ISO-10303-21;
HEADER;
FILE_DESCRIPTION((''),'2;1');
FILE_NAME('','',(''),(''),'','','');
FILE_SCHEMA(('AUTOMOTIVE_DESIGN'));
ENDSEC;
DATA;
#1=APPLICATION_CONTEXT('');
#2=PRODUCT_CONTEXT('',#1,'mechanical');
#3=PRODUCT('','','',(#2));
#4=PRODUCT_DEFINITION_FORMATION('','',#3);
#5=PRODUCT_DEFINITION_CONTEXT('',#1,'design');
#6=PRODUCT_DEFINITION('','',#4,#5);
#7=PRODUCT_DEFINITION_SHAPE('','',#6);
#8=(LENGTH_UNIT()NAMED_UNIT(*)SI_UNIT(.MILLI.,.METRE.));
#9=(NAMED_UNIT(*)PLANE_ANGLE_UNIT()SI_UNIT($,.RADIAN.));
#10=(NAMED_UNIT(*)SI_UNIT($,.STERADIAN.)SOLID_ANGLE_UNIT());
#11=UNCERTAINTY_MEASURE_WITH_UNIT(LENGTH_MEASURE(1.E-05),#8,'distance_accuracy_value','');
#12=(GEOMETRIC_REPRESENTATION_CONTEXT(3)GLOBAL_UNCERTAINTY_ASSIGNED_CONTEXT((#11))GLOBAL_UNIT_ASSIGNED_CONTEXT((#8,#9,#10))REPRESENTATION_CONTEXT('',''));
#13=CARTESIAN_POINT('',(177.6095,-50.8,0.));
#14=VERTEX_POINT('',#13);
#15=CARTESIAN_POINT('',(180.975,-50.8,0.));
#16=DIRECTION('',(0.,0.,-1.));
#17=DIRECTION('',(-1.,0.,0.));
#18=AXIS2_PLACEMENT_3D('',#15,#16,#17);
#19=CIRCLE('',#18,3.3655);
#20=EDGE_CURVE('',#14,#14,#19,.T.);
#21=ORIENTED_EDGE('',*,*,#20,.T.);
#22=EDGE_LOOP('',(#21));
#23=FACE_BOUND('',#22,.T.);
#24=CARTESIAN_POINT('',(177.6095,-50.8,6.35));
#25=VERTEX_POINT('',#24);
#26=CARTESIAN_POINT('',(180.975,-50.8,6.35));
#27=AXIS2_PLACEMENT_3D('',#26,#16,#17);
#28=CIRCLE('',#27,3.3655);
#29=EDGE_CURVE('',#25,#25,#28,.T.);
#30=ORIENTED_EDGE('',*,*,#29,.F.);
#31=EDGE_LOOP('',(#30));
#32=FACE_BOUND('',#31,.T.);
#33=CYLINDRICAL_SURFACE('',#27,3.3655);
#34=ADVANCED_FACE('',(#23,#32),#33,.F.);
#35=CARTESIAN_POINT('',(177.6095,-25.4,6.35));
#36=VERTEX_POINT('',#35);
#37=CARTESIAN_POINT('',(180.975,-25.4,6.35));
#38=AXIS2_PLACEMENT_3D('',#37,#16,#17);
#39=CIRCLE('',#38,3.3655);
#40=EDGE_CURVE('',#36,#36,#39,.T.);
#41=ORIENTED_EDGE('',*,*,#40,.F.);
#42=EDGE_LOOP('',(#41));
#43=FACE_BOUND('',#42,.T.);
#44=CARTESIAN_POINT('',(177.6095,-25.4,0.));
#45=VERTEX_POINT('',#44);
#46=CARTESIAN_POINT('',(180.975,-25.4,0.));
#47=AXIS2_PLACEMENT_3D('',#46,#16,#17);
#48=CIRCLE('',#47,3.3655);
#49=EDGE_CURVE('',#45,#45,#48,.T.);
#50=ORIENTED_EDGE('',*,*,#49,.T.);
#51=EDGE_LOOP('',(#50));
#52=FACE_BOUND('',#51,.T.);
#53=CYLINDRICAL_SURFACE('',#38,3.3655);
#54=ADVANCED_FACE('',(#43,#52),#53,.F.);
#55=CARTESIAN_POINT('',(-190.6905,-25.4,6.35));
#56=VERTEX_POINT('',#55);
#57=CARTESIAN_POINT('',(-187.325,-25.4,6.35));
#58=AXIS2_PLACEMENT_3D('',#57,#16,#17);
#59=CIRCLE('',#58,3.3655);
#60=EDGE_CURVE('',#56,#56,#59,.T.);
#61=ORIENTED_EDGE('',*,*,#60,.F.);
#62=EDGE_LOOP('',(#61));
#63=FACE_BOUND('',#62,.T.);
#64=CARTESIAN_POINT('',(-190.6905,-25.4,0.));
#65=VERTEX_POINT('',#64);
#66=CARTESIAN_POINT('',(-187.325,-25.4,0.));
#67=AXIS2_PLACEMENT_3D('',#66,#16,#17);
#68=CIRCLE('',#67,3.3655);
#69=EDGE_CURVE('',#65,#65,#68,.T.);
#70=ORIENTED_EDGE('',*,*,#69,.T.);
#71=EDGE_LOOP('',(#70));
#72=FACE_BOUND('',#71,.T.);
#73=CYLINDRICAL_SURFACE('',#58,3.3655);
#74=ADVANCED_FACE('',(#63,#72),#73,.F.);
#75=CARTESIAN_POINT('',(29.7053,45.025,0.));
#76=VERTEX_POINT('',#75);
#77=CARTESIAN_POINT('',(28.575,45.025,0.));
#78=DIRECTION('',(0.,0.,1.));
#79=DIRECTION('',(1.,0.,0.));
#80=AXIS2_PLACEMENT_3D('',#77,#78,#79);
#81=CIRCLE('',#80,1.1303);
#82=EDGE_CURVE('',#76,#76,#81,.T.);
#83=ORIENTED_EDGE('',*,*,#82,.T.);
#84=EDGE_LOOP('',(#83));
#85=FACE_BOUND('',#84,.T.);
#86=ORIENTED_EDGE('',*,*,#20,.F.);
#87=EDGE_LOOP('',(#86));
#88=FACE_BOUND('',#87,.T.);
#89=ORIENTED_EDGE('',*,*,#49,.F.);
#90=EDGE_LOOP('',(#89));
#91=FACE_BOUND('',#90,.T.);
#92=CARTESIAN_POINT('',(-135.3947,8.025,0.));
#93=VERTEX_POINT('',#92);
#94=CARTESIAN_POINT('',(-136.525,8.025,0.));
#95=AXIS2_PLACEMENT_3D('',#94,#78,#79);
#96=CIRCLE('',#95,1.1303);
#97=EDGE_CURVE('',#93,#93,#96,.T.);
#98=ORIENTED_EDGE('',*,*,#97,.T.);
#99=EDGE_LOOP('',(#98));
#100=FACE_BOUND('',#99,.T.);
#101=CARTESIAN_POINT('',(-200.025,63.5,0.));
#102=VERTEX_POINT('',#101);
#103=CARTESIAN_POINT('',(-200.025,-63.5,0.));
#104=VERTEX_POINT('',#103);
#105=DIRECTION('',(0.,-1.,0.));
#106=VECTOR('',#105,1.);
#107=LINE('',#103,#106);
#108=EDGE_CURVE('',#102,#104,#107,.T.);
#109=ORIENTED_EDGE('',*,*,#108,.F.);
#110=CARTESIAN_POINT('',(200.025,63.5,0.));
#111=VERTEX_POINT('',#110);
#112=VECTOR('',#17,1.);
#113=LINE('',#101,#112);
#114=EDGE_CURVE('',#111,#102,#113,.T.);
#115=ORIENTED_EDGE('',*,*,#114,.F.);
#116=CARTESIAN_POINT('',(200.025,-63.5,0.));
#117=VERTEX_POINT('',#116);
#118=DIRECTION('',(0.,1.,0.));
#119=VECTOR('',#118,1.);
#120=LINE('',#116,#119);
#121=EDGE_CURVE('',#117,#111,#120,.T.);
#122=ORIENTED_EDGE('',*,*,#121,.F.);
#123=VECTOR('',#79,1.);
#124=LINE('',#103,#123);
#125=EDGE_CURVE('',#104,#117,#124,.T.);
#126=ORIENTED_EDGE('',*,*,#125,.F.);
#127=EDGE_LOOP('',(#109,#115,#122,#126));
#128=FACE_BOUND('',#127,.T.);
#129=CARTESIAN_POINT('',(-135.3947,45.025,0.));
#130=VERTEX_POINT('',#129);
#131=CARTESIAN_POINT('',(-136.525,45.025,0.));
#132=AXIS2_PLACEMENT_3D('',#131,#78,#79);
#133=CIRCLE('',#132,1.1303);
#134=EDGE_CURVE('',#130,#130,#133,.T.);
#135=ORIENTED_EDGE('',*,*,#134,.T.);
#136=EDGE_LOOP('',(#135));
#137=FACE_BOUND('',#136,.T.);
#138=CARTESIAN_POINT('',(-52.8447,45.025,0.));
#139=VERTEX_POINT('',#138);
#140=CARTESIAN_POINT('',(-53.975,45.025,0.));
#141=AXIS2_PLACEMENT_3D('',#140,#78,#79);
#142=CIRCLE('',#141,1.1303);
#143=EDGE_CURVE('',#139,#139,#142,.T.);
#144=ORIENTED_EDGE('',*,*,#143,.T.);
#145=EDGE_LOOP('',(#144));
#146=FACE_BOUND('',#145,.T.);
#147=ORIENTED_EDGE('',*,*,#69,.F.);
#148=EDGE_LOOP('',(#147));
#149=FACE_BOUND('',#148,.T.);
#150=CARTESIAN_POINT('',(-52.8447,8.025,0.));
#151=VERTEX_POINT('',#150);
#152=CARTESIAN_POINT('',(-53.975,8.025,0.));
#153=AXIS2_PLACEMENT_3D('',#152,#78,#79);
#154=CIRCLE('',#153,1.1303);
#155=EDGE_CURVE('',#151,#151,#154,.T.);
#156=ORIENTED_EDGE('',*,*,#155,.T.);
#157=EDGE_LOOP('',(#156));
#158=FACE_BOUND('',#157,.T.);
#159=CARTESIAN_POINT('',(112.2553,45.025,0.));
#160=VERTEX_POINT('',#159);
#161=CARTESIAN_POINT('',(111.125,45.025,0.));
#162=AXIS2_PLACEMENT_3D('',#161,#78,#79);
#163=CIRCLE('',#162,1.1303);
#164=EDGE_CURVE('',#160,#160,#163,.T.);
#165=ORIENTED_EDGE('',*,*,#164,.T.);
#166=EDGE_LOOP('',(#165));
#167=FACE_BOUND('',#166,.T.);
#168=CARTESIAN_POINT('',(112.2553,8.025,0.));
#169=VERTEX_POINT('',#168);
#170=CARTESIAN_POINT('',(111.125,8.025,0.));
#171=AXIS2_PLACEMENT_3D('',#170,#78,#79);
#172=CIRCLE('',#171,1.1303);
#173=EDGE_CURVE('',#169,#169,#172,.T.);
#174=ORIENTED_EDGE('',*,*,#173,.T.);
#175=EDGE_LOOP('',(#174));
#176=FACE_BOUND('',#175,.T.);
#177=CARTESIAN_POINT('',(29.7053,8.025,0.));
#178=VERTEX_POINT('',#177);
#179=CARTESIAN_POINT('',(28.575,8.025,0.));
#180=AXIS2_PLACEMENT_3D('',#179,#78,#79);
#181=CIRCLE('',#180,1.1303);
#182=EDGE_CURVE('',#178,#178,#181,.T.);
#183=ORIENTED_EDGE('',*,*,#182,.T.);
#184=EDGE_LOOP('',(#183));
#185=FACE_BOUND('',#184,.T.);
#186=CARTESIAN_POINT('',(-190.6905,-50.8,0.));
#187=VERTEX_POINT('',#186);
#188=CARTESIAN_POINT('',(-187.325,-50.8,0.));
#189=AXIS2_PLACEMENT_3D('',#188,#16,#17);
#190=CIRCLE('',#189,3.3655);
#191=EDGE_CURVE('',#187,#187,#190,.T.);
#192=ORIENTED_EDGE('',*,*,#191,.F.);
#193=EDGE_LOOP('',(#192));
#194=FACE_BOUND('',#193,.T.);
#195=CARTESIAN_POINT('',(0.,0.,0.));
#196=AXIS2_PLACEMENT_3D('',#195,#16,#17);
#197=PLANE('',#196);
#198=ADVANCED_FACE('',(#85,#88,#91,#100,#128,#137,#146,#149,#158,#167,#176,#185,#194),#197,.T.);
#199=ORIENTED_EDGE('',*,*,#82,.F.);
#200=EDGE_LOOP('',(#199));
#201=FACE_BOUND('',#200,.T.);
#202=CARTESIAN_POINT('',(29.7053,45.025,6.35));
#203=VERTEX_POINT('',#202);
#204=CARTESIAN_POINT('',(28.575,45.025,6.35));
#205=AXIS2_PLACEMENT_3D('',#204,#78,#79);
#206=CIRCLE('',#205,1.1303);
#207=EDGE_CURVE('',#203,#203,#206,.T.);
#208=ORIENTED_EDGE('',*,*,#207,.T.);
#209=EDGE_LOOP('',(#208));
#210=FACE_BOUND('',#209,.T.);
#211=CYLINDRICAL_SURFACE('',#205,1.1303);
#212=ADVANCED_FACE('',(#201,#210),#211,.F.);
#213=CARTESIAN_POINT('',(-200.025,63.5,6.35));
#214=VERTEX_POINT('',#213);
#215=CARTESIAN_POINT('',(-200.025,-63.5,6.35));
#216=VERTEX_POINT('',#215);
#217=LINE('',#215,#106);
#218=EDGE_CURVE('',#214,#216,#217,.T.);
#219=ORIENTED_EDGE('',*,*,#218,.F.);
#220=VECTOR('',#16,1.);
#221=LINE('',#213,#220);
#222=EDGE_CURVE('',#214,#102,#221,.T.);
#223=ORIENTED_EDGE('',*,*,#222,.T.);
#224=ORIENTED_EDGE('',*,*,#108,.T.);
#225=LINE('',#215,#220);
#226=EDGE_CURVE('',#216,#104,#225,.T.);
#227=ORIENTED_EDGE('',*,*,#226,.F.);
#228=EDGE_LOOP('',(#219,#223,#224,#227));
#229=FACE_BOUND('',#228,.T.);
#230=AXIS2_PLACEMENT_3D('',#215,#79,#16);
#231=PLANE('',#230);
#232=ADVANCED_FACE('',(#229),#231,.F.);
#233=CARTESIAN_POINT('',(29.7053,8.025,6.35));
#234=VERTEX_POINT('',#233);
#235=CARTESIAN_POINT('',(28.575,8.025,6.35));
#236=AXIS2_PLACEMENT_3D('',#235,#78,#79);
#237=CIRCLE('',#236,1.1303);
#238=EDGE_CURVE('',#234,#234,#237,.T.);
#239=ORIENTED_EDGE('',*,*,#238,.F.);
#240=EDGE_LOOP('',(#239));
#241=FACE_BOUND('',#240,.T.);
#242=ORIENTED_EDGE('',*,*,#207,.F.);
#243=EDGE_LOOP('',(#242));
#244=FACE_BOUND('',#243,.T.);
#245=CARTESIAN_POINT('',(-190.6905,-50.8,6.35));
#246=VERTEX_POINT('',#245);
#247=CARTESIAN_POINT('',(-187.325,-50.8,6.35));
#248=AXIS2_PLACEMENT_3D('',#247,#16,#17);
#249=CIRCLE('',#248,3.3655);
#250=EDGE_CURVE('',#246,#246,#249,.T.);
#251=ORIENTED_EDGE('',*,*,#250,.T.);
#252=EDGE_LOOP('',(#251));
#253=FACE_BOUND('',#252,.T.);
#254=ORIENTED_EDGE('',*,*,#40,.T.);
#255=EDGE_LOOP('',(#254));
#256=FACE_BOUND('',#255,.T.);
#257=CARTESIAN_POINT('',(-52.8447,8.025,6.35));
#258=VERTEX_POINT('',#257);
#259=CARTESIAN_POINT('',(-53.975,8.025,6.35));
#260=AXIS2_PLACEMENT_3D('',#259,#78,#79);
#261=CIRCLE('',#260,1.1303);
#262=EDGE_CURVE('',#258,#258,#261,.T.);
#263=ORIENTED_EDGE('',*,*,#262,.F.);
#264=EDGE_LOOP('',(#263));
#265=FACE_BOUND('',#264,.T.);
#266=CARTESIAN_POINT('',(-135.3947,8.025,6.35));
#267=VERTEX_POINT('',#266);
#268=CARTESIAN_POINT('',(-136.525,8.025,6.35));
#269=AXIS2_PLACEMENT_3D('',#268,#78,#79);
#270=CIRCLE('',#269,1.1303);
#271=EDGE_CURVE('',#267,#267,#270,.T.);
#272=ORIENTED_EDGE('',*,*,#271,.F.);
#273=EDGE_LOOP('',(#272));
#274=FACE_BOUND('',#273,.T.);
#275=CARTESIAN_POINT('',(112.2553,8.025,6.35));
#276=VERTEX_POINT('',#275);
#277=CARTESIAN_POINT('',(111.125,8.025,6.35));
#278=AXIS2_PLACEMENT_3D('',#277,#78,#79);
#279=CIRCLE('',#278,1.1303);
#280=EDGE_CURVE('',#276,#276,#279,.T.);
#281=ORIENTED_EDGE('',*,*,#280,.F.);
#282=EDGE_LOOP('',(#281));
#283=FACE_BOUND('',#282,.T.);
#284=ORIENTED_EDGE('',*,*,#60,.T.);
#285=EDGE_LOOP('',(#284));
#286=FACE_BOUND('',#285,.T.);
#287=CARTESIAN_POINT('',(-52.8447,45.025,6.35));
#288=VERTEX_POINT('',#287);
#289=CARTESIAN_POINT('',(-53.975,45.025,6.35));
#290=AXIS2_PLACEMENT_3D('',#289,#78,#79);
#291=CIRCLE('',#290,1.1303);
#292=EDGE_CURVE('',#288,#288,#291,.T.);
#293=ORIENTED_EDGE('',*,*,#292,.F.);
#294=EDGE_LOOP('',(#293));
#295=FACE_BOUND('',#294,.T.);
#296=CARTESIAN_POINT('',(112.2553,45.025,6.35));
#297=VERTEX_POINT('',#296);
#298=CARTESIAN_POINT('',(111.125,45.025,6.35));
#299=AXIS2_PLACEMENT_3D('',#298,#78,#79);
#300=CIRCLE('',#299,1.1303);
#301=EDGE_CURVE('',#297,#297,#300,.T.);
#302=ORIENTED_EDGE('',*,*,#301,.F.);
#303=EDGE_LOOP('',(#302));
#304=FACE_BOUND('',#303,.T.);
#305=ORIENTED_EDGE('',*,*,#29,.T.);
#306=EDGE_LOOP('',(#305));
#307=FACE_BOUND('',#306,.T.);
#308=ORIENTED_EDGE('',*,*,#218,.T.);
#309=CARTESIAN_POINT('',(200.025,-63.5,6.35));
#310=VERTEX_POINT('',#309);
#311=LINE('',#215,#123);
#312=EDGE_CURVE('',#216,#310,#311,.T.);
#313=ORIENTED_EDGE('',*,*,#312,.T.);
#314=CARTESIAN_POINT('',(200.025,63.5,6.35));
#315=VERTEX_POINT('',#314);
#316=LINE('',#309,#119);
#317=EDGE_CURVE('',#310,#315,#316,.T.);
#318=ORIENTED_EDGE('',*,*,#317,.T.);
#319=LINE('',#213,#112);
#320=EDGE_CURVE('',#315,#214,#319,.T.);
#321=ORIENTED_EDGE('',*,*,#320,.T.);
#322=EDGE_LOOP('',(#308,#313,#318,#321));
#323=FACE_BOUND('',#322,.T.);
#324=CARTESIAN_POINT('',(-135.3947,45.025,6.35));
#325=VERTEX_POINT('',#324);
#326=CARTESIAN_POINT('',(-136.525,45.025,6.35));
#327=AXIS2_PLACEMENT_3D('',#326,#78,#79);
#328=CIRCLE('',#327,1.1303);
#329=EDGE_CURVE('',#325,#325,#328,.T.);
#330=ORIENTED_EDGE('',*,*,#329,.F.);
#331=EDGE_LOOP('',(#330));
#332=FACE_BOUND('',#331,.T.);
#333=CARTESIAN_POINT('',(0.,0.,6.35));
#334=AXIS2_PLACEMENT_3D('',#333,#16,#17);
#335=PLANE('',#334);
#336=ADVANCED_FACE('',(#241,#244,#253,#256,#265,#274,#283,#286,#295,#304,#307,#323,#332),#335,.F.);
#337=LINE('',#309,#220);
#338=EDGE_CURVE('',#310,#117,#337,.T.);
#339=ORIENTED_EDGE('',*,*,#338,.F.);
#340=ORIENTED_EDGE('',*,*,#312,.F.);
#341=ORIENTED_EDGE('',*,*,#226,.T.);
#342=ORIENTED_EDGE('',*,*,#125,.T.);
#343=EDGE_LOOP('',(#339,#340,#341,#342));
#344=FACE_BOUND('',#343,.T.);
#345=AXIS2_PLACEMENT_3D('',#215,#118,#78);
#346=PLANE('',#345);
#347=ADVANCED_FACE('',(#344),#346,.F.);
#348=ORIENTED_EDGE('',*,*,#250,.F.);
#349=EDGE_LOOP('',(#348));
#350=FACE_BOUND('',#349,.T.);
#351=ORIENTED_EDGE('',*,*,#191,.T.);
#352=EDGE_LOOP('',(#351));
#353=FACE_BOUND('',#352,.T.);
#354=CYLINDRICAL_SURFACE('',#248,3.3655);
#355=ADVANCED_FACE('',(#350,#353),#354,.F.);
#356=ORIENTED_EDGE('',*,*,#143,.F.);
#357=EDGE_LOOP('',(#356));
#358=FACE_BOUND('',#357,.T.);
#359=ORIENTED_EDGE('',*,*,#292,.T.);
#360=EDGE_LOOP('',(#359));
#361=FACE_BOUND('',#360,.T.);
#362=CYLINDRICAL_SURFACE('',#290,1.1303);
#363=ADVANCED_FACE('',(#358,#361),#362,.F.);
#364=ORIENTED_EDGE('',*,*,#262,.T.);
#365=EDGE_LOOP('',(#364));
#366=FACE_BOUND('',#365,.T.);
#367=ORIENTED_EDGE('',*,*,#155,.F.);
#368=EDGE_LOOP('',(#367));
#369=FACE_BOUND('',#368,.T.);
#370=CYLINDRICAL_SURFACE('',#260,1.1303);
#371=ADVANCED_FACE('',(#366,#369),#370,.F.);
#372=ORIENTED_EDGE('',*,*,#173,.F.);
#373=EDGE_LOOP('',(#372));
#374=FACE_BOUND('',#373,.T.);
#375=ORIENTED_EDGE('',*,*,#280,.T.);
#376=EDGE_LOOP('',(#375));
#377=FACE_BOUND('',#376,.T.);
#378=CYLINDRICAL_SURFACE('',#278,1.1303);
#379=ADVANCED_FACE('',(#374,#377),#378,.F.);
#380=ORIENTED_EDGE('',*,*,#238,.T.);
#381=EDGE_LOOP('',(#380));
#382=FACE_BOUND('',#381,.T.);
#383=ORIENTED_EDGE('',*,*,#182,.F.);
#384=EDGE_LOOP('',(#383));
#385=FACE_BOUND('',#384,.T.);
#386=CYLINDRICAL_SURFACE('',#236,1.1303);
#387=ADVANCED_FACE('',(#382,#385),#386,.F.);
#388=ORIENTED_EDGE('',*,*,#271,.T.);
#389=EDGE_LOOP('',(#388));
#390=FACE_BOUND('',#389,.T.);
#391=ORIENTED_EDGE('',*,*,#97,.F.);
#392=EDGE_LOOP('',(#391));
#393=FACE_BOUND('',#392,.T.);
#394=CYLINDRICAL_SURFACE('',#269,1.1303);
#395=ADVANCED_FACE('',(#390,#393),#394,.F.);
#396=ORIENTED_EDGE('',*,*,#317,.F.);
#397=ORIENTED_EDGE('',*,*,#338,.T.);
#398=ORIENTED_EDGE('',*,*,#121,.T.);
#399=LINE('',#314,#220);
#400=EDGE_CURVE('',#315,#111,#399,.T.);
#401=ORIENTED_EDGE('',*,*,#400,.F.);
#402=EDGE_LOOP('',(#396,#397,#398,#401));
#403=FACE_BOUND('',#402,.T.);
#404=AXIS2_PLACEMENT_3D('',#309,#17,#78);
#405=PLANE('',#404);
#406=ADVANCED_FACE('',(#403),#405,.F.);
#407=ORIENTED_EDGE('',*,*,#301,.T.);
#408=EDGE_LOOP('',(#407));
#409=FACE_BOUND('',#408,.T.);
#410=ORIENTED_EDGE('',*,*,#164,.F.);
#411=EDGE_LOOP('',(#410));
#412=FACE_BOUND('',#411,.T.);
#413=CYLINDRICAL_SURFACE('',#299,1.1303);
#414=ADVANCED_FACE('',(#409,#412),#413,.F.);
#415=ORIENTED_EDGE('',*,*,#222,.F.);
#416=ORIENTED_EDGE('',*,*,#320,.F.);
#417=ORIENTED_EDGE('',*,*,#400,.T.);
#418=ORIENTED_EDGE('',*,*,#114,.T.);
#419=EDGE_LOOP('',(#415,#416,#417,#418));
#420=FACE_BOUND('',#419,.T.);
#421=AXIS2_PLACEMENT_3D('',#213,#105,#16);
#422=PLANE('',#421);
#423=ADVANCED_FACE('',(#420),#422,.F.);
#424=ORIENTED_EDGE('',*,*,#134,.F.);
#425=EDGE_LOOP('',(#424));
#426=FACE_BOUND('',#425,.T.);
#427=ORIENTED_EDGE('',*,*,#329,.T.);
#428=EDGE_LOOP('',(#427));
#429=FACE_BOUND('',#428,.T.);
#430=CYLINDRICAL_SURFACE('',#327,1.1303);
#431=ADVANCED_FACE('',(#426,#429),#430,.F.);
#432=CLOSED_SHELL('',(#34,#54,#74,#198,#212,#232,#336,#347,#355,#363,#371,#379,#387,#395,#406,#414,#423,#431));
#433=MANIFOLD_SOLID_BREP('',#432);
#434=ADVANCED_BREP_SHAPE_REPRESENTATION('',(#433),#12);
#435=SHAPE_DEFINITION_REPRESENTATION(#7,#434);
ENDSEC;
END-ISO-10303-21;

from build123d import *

# Parameters (mm, degrees)
SKETCH1_W             = 400.05
SKETCH1_H             = 127
BOSS_EXTRUDE1_DEPTH   = 6.35
SKETCH2_R             = 3.3655
CUT_EXTRUDE1_DEPTH    = 7.35
F_4_40_TAPPED_HOLE1_D = 2.2606


with BuildPart() as part:
    # Sketch1 → Boss-Extrude1 (new body)
    with BuildSketch(Plane.XY):
        Rectangle(SKETCH1_W, SKETCH1_H)
    extrude(amount=BOSS_EXTRUDE1_DEPTH)

    # Sketch2 → Cut-Extrude1 (cut, through all)
    with BuildSketch(Plane(origin=(0, 0, 0), x_dir=(-1, 0, 0), z_dir=(0, 0, -1))):
        with Locations((-180.975, -50.8)):
            Circle(SKETCH2_R)
        with Locations((-180.975, -25.4)):
            Circle(SKETCH2_R)
        with Locations((187.325, -50.8)):
            Circle(SKETCH2_R)
        with Locations((187.325, -25.4)):
            Circle(SKETCH2_R)
    extrude(amount=-CUT_EXTRUDE1_DEPTH, mode=Mode.SUBTRACT)

    # #4-40 Tapped Hole1 (through all)
    with Locations(Plane.XY.offset(6.35)):
        with Locations((-136.525, 45.025), (-136.525, 8.025), (-53.975, 45.025), (-53.975, 8.025), (28.575, 45.025), (28.575, 8.025), (111.125, 45.025), (111.125, 8.025)):
            Hole(F_4_40_TAPPED_HOLE1_D / 2)


solid = part.part
